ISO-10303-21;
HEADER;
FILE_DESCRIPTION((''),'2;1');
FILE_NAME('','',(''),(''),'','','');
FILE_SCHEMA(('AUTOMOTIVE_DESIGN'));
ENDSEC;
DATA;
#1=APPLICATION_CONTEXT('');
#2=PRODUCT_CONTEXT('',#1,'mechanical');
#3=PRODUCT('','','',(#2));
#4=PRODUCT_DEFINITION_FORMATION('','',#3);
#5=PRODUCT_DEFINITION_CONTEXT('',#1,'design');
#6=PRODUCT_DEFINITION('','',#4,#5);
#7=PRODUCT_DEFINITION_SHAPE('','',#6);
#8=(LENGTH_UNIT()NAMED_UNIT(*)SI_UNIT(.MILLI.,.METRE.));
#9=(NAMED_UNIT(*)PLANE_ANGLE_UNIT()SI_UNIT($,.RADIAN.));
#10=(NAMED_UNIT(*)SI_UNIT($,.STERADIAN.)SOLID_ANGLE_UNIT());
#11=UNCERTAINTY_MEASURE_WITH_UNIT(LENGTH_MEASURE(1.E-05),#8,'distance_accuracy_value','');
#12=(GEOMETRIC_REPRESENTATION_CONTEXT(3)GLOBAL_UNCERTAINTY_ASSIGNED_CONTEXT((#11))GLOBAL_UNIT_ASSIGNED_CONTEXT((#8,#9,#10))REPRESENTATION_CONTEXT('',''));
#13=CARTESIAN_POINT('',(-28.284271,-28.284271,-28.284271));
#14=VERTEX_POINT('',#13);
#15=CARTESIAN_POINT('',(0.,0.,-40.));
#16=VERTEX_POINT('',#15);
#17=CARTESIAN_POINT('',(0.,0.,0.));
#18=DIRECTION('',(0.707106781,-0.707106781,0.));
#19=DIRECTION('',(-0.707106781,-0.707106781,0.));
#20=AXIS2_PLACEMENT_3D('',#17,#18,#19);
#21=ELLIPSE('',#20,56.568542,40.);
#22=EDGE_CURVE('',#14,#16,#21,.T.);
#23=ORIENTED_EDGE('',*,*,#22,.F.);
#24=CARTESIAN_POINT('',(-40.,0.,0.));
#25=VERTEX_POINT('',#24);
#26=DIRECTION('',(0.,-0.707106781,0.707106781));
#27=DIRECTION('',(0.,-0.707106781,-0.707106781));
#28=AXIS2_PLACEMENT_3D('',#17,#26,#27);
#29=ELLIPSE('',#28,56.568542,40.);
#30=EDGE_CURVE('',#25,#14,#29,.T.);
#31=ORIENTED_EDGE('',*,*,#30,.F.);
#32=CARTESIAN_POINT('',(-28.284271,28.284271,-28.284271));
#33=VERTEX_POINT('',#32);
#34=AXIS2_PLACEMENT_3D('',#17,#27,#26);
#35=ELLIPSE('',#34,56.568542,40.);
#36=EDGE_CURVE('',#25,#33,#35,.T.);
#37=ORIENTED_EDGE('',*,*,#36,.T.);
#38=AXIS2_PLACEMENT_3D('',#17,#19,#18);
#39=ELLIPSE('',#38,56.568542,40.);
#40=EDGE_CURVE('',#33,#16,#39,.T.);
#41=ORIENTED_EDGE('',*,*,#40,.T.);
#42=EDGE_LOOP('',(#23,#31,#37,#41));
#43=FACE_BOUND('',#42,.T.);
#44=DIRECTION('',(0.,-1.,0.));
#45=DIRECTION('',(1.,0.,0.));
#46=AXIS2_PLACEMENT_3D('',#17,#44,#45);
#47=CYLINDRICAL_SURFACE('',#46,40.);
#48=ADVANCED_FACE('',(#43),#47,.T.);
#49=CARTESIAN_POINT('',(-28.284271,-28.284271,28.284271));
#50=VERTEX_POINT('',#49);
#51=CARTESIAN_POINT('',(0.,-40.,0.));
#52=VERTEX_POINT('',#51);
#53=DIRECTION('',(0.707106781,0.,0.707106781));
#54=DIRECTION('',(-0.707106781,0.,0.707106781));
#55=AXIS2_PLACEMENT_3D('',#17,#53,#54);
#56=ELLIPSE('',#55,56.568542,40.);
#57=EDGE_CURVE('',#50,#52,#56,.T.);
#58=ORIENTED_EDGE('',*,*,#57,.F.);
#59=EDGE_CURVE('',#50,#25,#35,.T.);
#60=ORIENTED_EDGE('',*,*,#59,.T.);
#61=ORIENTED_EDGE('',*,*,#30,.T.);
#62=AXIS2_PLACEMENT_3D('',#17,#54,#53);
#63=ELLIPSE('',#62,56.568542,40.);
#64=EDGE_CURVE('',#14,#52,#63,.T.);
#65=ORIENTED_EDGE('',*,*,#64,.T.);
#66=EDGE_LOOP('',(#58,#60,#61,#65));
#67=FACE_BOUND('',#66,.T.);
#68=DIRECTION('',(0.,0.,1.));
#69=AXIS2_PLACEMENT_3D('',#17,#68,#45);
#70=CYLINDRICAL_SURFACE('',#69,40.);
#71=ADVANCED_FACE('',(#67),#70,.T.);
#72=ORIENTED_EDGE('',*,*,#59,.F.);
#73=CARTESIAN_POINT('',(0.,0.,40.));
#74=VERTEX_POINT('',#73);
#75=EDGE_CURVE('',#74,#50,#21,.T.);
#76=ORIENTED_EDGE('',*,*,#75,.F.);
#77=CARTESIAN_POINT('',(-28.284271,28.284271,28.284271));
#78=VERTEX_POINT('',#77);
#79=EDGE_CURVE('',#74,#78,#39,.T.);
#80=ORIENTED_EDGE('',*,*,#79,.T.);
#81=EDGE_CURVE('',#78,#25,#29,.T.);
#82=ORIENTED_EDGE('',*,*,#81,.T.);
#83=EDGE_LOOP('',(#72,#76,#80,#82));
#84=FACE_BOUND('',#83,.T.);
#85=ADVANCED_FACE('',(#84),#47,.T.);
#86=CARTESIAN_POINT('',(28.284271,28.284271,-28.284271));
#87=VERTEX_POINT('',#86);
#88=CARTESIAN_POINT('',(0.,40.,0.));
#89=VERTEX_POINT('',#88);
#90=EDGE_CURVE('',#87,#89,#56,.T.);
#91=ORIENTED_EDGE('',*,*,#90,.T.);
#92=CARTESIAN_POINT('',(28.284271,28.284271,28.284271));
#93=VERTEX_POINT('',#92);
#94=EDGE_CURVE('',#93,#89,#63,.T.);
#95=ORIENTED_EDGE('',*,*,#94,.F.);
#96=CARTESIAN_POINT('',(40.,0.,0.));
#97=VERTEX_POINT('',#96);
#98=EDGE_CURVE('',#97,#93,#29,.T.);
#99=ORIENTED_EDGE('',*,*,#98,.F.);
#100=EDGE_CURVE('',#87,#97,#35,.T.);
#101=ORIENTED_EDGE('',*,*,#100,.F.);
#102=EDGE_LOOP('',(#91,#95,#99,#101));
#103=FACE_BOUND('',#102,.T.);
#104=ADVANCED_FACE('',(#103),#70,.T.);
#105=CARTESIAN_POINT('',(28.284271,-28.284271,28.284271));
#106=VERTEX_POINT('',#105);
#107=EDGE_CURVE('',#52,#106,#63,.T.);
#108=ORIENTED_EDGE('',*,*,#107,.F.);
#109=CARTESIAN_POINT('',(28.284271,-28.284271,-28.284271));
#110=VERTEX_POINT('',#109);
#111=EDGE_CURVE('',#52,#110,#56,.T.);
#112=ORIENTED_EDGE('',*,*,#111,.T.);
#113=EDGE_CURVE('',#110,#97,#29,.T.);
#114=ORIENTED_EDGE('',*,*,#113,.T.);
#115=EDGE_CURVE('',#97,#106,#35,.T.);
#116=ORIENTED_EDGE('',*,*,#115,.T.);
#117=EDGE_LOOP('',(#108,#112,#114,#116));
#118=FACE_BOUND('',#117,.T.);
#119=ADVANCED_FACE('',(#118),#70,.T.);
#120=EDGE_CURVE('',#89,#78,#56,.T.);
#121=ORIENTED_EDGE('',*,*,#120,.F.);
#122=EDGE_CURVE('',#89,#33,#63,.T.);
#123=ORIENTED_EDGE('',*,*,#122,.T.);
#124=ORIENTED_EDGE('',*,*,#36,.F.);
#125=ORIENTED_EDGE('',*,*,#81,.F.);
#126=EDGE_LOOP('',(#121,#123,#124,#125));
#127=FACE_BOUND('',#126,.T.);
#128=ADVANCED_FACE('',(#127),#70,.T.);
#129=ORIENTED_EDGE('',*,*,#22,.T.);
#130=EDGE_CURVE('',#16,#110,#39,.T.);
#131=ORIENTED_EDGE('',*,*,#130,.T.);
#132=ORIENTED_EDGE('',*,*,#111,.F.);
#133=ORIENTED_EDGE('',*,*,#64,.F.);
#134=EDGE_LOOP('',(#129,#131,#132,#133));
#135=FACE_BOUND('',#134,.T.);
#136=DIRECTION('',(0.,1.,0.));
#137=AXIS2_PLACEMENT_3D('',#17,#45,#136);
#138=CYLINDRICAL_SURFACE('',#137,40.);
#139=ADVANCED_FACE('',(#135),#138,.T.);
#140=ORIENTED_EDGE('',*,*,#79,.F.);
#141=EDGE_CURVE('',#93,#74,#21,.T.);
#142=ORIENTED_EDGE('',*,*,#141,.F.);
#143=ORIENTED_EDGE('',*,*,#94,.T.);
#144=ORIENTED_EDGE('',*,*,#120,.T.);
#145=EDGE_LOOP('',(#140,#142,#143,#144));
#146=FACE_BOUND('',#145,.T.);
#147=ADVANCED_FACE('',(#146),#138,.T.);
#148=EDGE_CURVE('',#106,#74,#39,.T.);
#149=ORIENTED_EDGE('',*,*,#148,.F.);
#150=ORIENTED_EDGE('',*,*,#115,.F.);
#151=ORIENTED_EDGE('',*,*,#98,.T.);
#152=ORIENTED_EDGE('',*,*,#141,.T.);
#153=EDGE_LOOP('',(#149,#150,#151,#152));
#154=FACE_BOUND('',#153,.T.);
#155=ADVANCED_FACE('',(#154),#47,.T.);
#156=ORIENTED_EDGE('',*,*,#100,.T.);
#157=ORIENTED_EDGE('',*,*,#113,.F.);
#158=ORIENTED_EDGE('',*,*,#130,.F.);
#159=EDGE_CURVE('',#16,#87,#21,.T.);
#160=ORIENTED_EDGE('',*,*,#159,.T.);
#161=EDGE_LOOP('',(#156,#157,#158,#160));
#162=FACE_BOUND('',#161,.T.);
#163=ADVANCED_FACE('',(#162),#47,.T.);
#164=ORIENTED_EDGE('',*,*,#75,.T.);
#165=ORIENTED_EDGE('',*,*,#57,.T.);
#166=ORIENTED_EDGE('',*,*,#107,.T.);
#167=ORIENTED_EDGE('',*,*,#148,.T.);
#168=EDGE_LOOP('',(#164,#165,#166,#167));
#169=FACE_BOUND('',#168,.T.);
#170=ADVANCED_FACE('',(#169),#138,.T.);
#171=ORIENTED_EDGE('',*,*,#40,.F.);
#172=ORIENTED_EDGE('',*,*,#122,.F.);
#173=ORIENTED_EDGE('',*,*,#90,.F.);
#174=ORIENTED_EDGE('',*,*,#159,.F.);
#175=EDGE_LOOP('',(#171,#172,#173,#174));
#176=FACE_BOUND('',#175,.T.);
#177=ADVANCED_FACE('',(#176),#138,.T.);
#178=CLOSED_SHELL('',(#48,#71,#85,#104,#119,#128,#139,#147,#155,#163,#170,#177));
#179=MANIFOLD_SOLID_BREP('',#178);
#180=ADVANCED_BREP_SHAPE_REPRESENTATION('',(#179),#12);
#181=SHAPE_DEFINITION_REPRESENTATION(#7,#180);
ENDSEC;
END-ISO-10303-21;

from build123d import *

# Parameters (mm, degrees)
F0_R     = 40
F1_DEPTH = 100
F2_R     = 40
F3_DEPTH = 100
F4_R     = 40
F5_DEPTH = 100


with BuildPart() as f1:
    # F0 (on Front) → F1 (new body, symmetric)
    with BuildSketch(Plane.XZ):
        Circle(F0_R)
    extrude(amount=F1_DEPTH, both=True)

    # F2 (on Top) → F3 (intersect, symmetric)
    with BuildSketch(Plane.XY):
        Circle(F2_R)
    extrude(amount=F3_DEPTH, both=True, mode=Mode.INTERSECT)

    # F4 (on Right) → F5 (intersect, symmetric)
    with BuildSketch(Plane.YZ):
        Circle(F4_R)
    extrude(amount=F5_DEPTH, both=True, mode=Mode.INTERSECT)


solid = f1.part
